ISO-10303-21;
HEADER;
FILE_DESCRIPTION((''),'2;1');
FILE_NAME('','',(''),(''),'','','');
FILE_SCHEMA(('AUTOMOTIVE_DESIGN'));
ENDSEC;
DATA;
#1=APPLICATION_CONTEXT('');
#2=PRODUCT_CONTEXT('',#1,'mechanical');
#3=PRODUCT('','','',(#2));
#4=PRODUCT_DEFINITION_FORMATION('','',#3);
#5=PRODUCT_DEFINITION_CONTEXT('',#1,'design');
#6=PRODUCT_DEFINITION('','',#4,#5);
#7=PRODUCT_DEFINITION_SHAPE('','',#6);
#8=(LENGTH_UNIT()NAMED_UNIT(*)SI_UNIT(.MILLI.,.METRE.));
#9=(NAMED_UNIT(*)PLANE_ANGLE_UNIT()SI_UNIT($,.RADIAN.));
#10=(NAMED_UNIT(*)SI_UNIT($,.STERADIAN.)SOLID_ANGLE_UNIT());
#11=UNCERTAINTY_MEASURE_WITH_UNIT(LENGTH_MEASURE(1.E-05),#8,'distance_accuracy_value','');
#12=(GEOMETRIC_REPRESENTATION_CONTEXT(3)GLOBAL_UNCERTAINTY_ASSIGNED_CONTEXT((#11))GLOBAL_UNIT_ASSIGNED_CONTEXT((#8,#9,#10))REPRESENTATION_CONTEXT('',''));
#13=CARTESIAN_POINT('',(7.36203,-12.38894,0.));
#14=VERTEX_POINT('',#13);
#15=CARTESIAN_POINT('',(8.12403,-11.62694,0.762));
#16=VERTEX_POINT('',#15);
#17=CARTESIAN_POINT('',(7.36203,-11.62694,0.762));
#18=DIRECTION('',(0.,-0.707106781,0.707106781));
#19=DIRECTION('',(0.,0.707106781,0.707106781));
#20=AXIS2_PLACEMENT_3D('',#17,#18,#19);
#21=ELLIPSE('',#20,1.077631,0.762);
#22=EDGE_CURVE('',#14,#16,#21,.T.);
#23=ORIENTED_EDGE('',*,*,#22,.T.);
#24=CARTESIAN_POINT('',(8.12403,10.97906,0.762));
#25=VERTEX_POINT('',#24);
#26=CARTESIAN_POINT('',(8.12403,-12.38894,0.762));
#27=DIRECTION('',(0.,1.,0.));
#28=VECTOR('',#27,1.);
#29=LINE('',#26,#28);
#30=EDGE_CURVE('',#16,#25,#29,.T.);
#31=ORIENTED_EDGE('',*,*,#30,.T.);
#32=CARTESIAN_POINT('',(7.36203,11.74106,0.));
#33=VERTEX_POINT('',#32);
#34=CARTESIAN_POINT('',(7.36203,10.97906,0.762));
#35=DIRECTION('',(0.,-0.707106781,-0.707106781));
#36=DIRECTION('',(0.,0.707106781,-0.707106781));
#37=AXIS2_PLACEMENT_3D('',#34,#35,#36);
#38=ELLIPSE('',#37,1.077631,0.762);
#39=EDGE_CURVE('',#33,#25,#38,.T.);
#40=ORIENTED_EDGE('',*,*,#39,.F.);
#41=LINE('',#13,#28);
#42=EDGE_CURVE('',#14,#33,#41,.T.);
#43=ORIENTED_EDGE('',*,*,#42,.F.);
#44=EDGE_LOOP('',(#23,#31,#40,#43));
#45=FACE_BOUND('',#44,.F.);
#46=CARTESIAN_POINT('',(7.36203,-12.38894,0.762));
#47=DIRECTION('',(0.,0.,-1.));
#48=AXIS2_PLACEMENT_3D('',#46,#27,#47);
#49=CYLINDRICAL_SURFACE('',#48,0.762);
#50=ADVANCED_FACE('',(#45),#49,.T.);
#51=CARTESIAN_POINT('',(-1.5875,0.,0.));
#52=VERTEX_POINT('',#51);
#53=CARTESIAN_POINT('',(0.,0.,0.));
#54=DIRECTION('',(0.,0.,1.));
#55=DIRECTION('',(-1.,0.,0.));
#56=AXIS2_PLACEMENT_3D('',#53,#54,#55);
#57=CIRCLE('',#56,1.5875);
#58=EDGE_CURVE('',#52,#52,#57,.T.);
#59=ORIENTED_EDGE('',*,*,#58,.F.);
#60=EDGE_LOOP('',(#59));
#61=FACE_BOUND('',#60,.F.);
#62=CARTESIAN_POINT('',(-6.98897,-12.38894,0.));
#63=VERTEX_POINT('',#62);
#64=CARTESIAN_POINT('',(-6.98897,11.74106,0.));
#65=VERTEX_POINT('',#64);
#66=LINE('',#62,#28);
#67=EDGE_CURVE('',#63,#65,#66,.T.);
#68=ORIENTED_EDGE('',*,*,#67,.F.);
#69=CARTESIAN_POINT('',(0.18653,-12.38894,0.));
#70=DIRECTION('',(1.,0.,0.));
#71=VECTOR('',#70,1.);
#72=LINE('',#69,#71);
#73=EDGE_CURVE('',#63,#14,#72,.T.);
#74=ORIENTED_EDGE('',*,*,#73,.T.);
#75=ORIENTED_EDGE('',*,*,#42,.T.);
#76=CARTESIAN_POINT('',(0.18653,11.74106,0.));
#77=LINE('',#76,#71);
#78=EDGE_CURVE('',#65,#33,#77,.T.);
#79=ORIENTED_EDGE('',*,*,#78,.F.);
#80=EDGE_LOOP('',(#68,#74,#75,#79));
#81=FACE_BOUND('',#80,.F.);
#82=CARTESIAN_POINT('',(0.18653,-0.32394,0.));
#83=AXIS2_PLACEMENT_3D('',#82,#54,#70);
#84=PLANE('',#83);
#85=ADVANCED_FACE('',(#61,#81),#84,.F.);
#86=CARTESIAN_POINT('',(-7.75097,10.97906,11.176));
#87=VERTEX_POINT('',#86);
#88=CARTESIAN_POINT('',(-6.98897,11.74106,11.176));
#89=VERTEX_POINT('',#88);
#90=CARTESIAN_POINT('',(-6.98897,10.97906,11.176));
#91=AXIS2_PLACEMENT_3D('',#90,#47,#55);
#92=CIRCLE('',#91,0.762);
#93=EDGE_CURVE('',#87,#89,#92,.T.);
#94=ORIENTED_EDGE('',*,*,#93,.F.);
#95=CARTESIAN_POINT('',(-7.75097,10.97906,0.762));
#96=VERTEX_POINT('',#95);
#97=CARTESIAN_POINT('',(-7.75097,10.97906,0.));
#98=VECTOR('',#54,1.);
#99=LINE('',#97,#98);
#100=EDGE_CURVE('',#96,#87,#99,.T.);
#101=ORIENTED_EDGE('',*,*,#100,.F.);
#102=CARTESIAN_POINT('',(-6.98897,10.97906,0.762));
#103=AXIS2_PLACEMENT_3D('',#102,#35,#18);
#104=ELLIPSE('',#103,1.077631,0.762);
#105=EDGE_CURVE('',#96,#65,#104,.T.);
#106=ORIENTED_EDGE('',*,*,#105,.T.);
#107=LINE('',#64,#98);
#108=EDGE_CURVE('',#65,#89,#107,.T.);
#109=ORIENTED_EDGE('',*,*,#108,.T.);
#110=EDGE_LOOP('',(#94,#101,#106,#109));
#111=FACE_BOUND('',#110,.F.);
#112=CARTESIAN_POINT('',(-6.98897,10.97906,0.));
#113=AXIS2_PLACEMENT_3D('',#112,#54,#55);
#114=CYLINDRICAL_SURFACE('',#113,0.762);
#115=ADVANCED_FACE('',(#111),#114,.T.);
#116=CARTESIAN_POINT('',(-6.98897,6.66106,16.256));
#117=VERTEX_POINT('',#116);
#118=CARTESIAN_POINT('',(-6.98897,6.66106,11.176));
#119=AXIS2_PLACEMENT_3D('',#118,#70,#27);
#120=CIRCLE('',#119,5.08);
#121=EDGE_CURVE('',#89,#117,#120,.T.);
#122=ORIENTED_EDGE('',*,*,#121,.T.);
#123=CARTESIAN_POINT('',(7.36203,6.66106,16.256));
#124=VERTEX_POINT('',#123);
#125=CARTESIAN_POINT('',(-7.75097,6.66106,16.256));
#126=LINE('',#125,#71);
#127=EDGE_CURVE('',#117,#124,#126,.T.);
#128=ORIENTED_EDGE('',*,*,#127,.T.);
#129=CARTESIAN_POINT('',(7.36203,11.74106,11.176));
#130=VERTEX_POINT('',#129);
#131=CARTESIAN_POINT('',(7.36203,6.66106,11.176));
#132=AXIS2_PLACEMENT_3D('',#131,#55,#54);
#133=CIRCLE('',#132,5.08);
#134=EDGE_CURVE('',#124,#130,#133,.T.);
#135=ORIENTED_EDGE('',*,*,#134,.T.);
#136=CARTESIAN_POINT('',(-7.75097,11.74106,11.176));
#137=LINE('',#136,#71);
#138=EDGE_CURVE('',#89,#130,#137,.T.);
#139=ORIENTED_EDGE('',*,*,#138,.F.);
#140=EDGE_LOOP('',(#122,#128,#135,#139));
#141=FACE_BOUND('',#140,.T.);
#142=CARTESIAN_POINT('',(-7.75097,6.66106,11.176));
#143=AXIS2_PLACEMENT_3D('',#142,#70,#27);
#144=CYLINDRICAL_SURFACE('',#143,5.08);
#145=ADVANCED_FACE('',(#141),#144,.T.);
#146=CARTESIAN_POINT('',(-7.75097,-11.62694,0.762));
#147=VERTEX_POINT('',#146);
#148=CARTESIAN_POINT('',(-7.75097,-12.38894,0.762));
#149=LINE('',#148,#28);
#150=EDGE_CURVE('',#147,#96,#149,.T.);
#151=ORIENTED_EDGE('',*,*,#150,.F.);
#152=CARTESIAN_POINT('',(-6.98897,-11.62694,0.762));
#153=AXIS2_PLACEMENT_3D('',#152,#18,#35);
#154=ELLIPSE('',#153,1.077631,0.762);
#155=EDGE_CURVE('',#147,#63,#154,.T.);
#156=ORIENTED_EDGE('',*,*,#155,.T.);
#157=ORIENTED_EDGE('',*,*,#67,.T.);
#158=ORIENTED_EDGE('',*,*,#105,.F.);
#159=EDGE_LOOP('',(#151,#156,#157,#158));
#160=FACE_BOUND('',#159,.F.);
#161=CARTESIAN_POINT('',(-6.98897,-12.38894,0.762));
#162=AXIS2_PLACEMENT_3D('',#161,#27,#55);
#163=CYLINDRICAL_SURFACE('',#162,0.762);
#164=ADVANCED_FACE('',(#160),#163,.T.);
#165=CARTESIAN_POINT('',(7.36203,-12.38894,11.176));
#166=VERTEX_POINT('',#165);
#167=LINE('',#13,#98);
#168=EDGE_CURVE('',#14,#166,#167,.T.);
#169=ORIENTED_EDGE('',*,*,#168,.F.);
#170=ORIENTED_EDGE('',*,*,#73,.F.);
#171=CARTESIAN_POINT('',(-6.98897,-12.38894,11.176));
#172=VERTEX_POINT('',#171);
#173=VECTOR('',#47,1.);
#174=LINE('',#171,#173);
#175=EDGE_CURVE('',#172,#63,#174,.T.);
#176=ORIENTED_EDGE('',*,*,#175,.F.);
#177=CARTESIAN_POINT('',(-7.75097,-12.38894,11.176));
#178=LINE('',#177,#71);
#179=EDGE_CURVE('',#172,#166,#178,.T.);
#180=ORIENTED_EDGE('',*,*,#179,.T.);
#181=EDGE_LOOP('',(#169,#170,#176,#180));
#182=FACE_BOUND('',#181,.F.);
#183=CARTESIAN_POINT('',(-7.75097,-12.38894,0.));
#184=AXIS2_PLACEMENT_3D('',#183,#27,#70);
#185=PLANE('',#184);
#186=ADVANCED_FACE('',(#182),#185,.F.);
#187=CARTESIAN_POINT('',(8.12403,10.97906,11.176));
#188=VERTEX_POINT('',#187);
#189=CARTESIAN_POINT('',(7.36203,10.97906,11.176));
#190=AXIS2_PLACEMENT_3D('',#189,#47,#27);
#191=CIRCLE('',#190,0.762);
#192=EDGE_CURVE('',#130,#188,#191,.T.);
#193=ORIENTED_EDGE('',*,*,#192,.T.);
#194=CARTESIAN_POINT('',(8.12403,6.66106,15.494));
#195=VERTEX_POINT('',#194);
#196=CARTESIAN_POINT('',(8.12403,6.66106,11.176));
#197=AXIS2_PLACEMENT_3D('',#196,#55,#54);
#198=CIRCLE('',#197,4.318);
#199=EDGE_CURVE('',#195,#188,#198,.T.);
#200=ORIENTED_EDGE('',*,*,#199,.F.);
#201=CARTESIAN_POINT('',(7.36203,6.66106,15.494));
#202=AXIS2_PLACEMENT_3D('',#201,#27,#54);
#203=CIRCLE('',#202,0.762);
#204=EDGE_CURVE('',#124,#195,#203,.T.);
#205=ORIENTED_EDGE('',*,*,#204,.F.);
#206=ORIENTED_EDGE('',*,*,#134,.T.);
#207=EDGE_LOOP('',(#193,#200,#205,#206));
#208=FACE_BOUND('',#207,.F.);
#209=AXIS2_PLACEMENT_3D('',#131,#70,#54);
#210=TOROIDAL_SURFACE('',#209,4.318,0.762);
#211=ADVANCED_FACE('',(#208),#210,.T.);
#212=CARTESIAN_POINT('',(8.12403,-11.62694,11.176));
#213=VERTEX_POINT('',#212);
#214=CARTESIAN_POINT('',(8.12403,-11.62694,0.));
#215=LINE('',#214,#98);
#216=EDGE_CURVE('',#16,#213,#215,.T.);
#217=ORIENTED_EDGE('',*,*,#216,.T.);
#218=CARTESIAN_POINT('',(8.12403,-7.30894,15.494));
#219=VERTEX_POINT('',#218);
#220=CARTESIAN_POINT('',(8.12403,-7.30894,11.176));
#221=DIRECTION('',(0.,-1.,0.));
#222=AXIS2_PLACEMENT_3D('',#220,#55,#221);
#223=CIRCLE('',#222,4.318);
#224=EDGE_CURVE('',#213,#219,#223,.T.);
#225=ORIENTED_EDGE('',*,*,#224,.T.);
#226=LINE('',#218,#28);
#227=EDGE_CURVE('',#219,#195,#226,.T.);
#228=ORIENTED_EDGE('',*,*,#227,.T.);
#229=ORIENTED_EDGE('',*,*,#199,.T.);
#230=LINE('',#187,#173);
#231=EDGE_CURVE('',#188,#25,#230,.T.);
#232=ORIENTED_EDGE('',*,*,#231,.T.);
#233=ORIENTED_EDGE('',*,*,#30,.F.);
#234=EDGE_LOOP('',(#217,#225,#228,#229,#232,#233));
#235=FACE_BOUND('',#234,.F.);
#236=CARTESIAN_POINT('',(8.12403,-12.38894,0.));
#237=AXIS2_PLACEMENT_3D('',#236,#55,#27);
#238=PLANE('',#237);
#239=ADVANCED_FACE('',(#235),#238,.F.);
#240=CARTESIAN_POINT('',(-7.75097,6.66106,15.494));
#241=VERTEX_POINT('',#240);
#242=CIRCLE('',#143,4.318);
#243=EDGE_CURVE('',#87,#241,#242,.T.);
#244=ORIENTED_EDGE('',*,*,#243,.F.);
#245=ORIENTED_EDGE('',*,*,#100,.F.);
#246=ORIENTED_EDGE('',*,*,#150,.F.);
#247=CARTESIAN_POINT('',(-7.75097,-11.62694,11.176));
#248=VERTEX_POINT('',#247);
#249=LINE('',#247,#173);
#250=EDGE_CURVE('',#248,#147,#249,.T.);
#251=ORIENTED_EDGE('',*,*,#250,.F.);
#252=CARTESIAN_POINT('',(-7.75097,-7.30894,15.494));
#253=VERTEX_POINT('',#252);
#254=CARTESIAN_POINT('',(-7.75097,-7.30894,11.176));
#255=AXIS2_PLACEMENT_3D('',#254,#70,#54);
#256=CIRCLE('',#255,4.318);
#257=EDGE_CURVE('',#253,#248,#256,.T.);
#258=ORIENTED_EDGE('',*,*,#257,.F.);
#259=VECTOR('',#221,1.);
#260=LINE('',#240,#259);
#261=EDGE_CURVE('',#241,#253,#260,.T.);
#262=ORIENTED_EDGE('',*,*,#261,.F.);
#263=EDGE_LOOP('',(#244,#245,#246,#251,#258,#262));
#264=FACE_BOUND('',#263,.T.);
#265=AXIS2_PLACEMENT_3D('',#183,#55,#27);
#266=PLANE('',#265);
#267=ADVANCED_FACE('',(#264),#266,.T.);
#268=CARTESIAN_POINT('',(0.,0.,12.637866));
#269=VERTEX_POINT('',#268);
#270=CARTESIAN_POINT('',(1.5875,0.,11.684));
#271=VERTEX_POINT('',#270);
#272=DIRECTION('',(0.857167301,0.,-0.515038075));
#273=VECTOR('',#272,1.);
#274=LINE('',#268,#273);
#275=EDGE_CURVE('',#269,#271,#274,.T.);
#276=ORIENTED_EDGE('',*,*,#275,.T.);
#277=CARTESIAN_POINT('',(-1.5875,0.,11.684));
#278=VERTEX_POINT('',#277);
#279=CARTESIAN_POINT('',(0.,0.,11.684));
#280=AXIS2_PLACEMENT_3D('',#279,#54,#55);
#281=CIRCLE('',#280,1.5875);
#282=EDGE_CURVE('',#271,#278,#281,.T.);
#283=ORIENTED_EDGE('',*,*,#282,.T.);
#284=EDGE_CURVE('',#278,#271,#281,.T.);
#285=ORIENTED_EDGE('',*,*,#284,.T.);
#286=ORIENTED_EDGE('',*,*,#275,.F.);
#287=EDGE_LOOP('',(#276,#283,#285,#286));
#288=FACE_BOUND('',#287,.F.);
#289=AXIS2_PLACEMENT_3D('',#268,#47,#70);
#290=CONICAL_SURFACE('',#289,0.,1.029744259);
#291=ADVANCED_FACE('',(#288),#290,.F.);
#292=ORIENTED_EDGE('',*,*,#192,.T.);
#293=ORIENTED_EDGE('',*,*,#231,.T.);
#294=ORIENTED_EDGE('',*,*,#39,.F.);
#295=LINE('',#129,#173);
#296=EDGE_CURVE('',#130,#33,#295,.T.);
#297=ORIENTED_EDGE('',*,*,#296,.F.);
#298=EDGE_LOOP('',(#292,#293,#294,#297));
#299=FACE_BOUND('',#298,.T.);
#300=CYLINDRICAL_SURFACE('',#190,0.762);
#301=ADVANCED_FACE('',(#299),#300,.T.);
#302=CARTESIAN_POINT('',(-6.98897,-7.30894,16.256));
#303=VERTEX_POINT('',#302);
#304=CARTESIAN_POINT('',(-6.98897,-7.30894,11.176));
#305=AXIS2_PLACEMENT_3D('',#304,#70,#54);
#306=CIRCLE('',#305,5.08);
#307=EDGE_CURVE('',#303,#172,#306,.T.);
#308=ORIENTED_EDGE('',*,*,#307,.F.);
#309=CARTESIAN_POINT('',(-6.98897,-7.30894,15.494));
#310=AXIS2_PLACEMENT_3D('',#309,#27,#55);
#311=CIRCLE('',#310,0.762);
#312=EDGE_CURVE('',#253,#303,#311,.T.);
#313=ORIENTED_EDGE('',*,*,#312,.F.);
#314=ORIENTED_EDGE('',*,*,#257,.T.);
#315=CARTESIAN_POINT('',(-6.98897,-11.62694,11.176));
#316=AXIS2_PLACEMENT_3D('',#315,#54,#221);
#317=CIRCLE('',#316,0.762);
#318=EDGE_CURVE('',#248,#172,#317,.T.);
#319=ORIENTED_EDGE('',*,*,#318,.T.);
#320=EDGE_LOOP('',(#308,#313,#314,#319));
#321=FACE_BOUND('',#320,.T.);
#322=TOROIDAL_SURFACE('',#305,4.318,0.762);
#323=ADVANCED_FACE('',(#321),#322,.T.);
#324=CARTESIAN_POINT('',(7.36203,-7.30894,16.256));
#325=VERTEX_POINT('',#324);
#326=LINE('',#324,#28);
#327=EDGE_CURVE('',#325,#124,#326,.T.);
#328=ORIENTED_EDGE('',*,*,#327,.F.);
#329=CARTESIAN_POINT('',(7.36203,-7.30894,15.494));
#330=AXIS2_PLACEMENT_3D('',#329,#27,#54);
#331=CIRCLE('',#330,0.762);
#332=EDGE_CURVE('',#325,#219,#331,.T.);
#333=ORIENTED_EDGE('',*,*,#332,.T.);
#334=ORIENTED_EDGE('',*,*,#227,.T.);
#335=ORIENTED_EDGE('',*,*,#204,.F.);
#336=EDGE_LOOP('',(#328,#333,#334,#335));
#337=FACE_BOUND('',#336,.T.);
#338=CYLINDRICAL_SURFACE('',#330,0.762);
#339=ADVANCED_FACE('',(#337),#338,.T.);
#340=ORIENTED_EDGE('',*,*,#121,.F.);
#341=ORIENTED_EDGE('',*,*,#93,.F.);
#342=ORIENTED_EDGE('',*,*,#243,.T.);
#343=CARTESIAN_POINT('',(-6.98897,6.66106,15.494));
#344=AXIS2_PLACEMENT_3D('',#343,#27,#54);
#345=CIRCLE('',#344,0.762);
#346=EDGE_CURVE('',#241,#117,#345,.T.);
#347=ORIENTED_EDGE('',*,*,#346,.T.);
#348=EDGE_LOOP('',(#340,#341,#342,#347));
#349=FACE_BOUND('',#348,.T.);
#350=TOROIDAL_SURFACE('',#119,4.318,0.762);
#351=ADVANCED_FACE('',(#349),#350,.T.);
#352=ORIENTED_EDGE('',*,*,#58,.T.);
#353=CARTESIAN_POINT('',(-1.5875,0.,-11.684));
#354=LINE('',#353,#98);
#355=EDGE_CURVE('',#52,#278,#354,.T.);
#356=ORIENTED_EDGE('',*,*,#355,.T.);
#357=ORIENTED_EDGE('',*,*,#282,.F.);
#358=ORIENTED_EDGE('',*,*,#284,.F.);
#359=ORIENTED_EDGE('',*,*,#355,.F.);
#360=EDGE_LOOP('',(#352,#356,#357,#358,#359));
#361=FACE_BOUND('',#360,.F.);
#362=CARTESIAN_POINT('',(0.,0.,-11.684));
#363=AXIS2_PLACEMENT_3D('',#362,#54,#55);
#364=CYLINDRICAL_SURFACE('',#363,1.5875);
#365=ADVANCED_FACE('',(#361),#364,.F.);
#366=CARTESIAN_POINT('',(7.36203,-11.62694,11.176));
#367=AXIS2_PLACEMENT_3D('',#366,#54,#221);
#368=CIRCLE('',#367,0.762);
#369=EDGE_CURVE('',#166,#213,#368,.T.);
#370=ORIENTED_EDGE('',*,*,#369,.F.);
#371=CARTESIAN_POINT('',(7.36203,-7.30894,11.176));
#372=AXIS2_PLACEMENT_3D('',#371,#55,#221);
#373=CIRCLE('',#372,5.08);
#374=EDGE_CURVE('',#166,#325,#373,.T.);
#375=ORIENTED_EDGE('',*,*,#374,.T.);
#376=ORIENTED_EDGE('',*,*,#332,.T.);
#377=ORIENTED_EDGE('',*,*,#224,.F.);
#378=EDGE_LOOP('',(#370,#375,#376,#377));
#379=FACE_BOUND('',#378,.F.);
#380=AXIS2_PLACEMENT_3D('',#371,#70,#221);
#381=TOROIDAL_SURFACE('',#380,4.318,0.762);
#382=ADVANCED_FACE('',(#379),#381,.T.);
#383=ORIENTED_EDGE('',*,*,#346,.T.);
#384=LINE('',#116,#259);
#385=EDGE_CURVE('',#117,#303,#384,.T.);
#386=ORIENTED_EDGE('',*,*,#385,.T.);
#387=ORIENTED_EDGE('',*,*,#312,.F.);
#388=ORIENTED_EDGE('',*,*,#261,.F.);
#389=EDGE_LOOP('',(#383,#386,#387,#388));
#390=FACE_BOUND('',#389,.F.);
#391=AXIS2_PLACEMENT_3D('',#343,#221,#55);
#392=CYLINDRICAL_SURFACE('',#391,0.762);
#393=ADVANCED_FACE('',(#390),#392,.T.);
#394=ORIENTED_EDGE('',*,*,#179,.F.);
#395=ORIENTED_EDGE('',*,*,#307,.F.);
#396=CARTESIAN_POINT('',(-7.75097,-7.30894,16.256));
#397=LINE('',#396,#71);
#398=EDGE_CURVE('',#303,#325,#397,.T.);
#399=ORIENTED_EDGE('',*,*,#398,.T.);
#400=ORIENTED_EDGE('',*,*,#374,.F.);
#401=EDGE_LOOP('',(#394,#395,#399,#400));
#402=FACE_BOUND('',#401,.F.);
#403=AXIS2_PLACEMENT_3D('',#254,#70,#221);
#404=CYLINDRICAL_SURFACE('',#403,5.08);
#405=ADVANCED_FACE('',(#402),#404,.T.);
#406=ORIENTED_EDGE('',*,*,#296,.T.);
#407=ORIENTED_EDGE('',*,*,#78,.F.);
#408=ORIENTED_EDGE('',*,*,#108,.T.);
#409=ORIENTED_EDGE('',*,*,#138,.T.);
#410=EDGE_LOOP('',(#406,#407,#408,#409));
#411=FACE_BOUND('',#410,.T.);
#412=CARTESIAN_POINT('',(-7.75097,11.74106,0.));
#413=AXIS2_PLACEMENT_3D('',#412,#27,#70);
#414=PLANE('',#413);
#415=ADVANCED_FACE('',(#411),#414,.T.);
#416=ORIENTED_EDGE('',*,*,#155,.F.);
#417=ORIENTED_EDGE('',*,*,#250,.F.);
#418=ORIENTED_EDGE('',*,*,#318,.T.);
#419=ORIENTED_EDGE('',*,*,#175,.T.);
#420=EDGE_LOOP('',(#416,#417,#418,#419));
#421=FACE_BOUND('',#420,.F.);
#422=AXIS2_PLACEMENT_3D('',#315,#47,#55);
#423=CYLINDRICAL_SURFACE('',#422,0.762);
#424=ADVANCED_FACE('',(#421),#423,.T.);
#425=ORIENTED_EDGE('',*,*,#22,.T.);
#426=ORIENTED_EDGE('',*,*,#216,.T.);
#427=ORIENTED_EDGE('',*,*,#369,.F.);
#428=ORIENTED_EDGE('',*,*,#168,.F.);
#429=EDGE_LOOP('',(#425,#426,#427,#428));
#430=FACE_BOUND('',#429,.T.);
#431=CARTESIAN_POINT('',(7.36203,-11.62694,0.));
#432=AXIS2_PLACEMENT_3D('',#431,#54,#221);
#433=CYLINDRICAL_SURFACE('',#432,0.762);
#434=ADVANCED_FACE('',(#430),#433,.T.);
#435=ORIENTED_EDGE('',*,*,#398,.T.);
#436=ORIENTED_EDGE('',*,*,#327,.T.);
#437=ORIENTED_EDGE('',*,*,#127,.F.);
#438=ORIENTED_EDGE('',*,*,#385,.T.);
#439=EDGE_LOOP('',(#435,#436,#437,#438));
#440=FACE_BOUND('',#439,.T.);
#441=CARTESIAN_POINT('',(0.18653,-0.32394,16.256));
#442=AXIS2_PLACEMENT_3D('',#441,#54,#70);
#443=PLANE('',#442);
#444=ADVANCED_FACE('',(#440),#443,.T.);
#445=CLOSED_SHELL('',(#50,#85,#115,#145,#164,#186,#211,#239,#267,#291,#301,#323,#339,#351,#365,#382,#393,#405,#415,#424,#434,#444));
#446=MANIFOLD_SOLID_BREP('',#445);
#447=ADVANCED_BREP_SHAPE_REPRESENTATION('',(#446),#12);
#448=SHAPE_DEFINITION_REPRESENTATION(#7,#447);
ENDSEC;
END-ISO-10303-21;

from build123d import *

# Parameters (mm, degrees)
F0_W     = 15.875
F0_H     = 24.13
F1_DEPTH = 16.256
F2_D     = 3.175
F2_DEPTH = 11.684
F2_TIP   = 0.9538662327
F3_R     = 5.08
F4_R     = 0.762


with BuildPart() as f1:
    # F0 (on Top) → F1 (new body)
    with BuildSketch(Plane.XY):
        with Locations((0.1865295499, -0.323939874)):
            Rectangle(F0_W, F0_H)
    extrude(amount=F1_DEPTH)

    # F2
    with Locations(Plane(origin=(0, 0, 0), x_dir=(1, 0, 0), z_dir=(0, 0, -1))):
        with Locations((0, 0)):
            Hole(F2_D / 2, depth=F2_DEPTH)
            with Locations((0, 0, -(F2_DEPTH + F2_TIP / 2))):  # 118° drill point
                Cone(0, F2_D / 2, F2_TIP, mode=Mode.SUBTRACT)

    # F3
    f3_edges = [f1.edges().sort_by_distance(p)[0] for p in [
        (0.18653, -12.38894, 16.256),
        (0.18653, 11.74106, 16.256),
    ]]
    fillet(f3_edges, radius=F3_R)

    # F4
    f4_edges = [f1.edges().sort_by_distance(p)[0] for p in [
        (8.12403, -12.38894, 5.588),
        (8.12403, -10.901042, 14.768102),
        (8.12403, -0.32394, 0),
        (8.12403, -0.32394, 16.256),
        (8.12403, 11.74106, 5.588),
        (8.12403, 10.253163, 14.768102),
        (-7.75097, 11.74106, 5.588),
        (-7.75097, 10.253163, 14.768102),
        (-7.75097, -0.32394, 0),
        (-7.75097, -0.32394, 16.256),
        (-7.75097, -12.38894, 5.588),
        (-7.75097, -10.901042, 14.768102),
    ]]
    fillet(f4_edges, radius=F4_R)


solid = f1.part
